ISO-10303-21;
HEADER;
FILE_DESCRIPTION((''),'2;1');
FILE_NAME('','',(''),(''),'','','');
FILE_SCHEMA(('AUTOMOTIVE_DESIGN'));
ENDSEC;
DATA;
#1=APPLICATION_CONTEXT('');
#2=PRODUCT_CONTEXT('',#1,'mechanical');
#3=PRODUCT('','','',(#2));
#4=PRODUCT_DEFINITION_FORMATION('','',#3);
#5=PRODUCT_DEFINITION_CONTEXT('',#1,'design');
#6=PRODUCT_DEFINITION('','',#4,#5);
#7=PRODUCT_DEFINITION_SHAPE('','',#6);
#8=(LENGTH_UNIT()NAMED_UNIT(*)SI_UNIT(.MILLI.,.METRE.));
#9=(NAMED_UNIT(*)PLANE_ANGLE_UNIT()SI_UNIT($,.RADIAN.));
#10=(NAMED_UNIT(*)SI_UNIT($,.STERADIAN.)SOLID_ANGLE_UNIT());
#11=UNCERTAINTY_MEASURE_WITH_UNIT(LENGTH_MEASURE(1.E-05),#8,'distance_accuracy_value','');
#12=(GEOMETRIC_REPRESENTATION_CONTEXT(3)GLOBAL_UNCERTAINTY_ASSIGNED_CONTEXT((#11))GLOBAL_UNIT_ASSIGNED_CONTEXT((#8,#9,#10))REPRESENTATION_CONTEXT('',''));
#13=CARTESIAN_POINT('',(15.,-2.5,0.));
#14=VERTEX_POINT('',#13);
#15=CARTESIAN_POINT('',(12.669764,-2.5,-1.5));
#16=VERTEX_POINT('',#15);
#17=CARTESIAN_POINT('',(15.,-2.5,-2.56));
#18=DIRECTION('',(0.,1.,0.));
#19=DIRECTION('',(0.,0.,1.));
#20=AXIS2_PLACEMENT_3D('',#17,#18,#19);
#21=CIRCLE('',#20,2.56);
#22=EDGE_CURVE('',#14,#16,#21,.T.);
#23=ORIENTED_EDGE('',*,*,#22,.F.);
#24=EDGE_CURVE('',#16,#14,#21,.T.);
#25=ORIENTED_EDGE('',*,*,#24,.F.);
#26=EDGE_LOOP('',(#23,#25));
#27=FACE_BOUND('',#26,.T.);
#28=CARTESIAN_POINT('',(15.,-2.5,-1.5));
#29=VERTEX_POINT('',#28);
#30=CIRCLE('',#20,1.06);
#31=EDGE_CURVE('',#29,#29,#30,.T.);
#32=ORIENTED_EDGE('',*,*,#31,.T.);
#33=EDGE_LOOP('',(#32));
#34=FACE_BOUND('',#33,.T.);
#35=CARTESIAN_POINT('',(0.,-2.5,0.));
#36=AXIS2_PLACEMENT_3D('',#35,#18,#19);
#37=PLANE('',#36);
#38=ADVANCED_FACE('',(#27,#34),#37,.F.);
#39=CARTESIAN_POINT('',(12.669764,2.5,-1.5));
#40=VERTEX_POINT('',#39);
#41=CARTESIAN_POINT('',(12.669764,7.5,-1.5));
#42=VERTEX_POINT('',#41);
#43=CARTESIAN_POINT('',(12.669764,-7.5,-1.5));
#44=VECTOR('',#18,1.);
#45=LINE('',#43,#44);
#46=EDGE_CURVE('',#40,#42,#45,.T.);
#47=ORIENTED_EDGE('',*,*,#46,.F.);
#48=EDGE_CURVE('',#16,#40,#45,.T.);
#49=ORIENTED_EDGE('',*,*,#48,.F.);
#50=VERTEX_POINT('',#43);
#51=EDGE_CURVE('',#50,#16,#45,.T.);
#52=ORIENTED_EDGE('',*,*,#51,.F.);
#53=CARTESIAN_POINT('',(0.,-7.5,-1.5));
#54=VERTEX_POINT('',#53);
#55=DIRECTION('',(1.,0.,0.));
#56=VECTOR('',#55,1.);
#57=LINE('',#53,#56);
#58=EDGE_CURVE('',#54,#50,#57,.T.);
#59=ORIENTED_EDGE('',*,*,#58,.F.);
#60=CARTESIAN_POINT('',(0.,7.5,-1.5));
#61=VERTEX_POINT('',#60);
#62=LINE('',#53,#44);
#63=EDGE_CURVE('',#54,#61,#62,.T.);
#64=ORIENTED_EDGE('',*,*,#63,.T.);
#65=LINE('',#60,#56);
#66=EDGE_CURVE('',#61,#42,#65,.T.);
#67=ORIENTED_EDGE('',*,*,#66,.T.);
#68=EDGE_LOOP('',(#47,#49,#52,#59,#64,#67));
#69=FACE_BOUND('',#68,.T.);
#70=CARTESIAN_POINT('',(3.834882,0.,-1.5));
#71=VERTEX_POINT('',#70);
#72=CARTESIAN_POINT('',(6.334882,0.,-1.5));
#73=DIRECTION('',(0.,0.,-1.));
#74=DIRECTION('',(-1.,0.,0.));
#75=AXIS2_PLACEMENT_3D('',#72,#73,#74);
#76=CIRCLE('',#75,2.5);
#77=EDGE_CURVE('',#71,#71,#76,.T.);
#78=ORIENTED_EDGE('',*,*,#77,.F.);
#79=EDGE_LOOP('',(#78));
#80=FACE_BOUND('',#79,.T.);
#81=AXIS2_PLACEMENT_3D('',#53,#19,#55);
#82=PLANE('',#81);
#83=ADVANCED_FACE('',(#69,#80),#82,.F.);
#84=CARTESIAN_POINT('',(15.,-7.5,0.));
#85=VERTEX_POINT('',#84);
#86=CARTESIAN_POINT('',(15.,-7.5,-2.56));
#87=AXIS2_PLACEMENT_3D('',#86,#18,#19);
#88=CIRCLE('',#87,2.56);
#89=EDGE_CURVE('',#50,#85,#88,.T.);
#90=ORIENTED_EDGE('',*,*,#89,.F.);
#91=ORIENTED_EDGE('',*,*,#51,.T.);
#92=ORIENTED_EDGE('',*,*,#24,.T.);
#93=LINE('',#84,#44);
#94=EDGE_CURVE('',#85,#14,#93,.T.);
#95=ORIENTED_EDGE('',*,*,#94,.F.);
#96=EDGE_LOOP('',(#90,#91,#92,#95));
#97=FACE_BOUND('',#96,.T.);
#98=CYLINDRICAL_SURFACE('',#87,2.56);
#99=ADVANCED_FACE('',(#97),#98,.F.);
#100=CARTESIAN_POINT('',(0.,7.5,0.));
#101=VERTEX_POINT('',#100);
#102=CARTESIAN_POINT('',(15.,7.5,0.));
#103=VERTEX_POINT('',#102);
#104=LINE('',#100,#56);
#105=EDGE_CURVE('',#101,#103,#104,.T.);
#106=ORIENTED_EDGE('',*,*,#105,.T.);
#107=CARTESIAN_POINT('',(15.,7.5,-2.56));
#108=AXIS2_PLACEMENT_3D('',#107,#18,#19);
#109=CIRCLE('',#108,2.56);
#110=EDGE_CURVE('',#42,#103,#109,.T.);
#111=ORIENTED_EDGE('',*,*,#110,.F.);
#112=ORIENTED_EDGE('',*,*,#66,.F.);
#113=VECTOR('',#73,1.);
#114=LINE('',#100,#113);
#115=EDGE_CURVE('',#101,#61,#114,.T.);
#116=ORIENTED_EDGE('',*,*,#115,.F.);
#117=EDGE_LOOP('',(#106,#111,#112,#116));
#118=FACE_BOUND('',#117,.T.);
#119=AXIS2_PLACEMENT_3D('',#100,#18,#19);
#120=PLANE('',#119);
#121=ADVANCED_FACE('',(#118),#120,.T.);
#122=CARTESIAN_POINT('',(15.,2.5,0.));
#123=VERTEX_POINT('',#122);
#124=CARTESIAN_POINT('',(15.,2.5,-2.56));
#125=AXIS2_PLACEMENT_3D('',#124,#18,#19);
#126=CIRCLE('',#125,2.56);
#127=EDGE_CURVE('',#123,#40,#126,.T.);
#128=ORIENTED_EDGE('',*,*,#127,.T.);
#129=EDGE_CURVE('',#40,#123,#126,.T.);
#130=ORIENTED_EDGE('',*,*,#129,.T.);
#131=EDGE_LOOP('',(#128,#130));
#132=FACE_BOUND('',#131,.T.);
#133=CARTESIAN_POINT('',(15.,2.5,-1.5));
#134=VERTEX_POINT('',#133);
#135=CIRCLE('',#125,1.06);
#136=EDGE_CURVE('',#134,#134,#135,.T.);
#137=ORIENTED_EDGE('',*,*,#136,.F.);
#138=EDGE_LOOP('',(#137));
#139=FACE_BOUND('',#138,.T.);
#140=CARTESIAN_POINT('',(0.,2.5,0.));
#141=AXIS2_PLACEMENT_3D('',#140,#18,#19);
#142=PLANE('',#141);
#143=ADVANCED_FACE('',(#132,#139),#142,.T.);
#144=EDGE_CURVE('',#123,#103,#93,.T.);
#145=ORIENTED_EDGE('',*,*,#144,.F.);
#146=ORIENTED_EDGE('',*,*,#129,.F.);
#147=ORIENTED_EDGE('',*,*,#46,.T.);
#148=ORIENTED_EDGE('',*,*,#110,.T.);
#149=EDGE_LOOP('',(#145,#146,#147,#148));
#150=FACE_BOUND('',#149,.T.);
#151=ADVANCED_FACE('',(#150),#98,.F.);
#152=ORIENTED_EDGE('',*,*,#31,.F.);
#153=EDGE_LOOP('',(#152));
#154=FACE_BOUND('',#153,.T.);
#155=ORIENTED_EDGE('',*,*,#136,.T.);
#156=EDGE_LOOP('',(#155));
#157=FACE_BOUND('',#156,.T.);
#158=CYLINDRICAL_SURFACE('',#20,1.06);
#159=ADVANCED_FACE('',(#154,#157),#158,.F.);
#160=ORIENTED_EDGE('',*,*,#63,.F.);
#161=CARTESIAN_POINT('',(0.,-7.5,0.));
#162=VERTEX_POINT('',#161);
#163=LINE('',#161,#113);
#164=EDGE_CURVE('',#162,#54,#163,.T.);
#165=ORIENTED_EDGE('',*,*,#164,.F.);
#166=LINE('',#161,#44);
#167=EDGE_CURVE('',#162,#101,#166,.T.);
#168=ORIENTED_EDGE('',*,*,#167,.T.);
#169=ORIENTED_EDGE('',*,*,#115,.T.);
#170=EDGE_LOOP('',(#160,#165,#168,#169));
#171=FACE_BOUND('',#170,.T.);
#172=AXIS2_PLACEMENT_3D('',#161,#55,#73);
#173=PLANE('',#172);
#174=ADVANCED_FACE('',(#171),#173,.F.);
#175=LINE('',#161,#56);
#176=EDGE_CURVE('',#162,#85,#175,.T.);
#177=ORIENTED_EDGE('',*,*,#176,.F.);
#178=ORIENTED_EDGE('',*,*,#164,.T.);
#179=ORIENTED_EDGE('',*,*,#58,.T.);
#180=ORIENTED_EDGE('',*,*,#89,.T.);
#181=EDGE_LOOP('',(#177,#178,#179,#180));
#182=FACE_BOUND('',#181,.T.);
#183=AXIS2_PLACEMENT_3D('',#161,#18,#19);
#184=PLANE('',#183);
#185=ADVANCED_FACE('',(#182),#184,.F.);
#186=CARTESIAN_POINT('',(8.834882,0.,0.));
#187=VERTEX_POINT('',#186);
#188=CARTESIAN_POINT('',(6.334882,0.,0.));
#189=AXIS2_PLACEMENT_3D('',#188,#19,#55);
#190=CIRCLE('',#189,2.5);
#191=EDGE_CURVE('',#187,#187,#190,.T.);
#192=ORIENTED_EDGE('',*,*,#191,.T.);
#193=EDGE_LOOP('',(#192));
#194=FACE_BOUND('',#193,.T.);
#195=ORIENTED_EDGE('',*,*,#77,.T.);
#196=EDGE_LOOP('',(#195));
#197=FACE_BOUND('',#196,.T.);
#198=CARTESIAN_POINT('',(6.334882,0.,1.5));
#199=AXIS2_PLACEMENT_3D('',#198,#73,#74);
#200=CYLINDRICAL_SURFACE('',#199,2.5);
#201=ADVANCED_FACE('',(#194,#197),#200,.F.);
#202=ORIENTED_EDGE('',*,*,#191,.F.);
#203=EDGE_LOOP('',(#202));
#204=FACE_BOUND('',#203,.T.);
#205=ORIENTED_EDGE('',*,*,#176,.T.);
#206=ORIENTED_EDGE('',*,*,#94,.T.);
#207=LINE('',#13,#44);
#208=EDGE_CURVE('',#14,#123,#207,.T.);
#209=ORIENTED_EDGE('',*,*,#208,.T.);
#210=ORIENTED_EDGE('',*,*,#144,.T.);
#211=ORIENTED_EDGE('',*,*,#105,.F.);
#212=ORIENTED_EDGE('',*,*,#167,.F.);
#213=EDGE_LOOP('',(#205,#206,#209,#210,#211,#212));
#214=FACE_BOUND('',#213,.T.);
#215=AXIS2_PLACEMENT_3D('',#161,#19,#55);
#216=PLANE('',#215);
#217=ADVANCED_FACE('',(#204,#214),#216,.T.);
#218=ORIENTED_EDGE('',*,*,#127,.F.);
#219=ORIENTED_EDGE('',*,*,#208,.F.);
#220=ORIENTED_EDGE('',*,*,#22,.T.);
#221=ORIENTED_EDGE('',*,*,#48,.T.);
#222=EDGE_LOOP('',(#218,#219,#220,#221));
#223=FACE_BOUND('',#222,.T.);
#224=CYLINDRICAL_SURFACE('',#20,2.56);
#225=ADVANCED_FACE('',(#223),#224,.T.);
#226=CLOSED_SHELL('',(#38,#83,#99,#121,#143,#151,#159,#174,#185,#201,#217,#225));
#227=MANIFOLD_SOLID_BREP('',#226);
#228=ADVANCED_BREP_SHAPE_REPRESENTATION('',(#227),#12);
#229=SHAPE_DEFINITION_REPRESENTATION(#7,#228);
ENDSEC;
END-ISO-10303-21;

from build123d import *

# Parameters (mm, degrees)
BOSS_EXTRUDE1_DEPTH      = 7.5
BOSS_EXTRUDE1_DEPTH_BACK = 7.5
BOSS_EXTRUDE3_DEPTH      = 2.5
BOSS_EXTRUDE3_DEPTH_BACK = 2.5
SKETCH1_4_R              = 1.06
SKETCH2_R                = 2.5
CUT_EXTRUDE1_DEPTH       = 3


with BuildPart() as part:
    # Sketch1 → Boss-Extrude1 (new, two sides: drawn at the far end of the back side and taken through both)
    with BuildSketch(Plane(origin=(0, 0, 0), x_dir=(1, 0, 0), z_dir=(0, 1, 0)).offset(-BOSS_EXTRUDE1_DEPTH_BACK)):
        with BuildLine():
            Line((0, 1.5), (0, 0))
            Line((0, 0), (15, 0))
            ThreePointArc((15, 0), (13.614359354, 0.407420152), (12.66976396, 1.5))
            Line((12.66976396, 1.5), (0, 1.5))
        make_face()
    extrude(amount=BOSS_EXTRUDE1_DEPTH + BOSS_EXTRUDE1_DEPTH_BACK)

    # Sketch1<4> → Boss-Extrude3 (add, two sides: drawn at the far end of the back side and taken through both)
    with BuildSketch(Plane(origin=(0, 0, 0), x_dir=(1, 0, 0), z_dir=(0, 1, 0)).offset(-BOSS_EXTRUDE3_DEPTH_BACK)):
        with BuildLine():
            ThreePointArc((12.66976396, 1.5), (13.614359354, 0.407420152), (15, 0))
            ThreePointArc((15, 0), (16.81019336, 0.74980664), (17.56, 2.56))
            ThreePointArc((17.56, 2.56), (14.45769209, 5.061899704), (12.66976396, 1.5))
        make_face()
        with Locations((15, 2.56)):
            Circle(SKETCH1_4_R, mode=Mode.SUBTRACT)
    extrude(amount=BOSS_EXTRUDE3_DEPTH + BOSS_EXTRUDE3_DEPTH_BACK)

    # Sketch2 → Cut-Extrude1 (cut)
    with BuildSketch(Plane(origin=(0, 0, -1.5), x_dir=(-1, 0, 0), z_dir=(0, 0, -1))):
        with Locations((-6.33488198, 0)):
            Circle(SKETCH2_R)
    extrude(amount=-CUT_EXTRUDE1_DEPTH, mode=Mode.SUBTRACT)


solid = part.part
